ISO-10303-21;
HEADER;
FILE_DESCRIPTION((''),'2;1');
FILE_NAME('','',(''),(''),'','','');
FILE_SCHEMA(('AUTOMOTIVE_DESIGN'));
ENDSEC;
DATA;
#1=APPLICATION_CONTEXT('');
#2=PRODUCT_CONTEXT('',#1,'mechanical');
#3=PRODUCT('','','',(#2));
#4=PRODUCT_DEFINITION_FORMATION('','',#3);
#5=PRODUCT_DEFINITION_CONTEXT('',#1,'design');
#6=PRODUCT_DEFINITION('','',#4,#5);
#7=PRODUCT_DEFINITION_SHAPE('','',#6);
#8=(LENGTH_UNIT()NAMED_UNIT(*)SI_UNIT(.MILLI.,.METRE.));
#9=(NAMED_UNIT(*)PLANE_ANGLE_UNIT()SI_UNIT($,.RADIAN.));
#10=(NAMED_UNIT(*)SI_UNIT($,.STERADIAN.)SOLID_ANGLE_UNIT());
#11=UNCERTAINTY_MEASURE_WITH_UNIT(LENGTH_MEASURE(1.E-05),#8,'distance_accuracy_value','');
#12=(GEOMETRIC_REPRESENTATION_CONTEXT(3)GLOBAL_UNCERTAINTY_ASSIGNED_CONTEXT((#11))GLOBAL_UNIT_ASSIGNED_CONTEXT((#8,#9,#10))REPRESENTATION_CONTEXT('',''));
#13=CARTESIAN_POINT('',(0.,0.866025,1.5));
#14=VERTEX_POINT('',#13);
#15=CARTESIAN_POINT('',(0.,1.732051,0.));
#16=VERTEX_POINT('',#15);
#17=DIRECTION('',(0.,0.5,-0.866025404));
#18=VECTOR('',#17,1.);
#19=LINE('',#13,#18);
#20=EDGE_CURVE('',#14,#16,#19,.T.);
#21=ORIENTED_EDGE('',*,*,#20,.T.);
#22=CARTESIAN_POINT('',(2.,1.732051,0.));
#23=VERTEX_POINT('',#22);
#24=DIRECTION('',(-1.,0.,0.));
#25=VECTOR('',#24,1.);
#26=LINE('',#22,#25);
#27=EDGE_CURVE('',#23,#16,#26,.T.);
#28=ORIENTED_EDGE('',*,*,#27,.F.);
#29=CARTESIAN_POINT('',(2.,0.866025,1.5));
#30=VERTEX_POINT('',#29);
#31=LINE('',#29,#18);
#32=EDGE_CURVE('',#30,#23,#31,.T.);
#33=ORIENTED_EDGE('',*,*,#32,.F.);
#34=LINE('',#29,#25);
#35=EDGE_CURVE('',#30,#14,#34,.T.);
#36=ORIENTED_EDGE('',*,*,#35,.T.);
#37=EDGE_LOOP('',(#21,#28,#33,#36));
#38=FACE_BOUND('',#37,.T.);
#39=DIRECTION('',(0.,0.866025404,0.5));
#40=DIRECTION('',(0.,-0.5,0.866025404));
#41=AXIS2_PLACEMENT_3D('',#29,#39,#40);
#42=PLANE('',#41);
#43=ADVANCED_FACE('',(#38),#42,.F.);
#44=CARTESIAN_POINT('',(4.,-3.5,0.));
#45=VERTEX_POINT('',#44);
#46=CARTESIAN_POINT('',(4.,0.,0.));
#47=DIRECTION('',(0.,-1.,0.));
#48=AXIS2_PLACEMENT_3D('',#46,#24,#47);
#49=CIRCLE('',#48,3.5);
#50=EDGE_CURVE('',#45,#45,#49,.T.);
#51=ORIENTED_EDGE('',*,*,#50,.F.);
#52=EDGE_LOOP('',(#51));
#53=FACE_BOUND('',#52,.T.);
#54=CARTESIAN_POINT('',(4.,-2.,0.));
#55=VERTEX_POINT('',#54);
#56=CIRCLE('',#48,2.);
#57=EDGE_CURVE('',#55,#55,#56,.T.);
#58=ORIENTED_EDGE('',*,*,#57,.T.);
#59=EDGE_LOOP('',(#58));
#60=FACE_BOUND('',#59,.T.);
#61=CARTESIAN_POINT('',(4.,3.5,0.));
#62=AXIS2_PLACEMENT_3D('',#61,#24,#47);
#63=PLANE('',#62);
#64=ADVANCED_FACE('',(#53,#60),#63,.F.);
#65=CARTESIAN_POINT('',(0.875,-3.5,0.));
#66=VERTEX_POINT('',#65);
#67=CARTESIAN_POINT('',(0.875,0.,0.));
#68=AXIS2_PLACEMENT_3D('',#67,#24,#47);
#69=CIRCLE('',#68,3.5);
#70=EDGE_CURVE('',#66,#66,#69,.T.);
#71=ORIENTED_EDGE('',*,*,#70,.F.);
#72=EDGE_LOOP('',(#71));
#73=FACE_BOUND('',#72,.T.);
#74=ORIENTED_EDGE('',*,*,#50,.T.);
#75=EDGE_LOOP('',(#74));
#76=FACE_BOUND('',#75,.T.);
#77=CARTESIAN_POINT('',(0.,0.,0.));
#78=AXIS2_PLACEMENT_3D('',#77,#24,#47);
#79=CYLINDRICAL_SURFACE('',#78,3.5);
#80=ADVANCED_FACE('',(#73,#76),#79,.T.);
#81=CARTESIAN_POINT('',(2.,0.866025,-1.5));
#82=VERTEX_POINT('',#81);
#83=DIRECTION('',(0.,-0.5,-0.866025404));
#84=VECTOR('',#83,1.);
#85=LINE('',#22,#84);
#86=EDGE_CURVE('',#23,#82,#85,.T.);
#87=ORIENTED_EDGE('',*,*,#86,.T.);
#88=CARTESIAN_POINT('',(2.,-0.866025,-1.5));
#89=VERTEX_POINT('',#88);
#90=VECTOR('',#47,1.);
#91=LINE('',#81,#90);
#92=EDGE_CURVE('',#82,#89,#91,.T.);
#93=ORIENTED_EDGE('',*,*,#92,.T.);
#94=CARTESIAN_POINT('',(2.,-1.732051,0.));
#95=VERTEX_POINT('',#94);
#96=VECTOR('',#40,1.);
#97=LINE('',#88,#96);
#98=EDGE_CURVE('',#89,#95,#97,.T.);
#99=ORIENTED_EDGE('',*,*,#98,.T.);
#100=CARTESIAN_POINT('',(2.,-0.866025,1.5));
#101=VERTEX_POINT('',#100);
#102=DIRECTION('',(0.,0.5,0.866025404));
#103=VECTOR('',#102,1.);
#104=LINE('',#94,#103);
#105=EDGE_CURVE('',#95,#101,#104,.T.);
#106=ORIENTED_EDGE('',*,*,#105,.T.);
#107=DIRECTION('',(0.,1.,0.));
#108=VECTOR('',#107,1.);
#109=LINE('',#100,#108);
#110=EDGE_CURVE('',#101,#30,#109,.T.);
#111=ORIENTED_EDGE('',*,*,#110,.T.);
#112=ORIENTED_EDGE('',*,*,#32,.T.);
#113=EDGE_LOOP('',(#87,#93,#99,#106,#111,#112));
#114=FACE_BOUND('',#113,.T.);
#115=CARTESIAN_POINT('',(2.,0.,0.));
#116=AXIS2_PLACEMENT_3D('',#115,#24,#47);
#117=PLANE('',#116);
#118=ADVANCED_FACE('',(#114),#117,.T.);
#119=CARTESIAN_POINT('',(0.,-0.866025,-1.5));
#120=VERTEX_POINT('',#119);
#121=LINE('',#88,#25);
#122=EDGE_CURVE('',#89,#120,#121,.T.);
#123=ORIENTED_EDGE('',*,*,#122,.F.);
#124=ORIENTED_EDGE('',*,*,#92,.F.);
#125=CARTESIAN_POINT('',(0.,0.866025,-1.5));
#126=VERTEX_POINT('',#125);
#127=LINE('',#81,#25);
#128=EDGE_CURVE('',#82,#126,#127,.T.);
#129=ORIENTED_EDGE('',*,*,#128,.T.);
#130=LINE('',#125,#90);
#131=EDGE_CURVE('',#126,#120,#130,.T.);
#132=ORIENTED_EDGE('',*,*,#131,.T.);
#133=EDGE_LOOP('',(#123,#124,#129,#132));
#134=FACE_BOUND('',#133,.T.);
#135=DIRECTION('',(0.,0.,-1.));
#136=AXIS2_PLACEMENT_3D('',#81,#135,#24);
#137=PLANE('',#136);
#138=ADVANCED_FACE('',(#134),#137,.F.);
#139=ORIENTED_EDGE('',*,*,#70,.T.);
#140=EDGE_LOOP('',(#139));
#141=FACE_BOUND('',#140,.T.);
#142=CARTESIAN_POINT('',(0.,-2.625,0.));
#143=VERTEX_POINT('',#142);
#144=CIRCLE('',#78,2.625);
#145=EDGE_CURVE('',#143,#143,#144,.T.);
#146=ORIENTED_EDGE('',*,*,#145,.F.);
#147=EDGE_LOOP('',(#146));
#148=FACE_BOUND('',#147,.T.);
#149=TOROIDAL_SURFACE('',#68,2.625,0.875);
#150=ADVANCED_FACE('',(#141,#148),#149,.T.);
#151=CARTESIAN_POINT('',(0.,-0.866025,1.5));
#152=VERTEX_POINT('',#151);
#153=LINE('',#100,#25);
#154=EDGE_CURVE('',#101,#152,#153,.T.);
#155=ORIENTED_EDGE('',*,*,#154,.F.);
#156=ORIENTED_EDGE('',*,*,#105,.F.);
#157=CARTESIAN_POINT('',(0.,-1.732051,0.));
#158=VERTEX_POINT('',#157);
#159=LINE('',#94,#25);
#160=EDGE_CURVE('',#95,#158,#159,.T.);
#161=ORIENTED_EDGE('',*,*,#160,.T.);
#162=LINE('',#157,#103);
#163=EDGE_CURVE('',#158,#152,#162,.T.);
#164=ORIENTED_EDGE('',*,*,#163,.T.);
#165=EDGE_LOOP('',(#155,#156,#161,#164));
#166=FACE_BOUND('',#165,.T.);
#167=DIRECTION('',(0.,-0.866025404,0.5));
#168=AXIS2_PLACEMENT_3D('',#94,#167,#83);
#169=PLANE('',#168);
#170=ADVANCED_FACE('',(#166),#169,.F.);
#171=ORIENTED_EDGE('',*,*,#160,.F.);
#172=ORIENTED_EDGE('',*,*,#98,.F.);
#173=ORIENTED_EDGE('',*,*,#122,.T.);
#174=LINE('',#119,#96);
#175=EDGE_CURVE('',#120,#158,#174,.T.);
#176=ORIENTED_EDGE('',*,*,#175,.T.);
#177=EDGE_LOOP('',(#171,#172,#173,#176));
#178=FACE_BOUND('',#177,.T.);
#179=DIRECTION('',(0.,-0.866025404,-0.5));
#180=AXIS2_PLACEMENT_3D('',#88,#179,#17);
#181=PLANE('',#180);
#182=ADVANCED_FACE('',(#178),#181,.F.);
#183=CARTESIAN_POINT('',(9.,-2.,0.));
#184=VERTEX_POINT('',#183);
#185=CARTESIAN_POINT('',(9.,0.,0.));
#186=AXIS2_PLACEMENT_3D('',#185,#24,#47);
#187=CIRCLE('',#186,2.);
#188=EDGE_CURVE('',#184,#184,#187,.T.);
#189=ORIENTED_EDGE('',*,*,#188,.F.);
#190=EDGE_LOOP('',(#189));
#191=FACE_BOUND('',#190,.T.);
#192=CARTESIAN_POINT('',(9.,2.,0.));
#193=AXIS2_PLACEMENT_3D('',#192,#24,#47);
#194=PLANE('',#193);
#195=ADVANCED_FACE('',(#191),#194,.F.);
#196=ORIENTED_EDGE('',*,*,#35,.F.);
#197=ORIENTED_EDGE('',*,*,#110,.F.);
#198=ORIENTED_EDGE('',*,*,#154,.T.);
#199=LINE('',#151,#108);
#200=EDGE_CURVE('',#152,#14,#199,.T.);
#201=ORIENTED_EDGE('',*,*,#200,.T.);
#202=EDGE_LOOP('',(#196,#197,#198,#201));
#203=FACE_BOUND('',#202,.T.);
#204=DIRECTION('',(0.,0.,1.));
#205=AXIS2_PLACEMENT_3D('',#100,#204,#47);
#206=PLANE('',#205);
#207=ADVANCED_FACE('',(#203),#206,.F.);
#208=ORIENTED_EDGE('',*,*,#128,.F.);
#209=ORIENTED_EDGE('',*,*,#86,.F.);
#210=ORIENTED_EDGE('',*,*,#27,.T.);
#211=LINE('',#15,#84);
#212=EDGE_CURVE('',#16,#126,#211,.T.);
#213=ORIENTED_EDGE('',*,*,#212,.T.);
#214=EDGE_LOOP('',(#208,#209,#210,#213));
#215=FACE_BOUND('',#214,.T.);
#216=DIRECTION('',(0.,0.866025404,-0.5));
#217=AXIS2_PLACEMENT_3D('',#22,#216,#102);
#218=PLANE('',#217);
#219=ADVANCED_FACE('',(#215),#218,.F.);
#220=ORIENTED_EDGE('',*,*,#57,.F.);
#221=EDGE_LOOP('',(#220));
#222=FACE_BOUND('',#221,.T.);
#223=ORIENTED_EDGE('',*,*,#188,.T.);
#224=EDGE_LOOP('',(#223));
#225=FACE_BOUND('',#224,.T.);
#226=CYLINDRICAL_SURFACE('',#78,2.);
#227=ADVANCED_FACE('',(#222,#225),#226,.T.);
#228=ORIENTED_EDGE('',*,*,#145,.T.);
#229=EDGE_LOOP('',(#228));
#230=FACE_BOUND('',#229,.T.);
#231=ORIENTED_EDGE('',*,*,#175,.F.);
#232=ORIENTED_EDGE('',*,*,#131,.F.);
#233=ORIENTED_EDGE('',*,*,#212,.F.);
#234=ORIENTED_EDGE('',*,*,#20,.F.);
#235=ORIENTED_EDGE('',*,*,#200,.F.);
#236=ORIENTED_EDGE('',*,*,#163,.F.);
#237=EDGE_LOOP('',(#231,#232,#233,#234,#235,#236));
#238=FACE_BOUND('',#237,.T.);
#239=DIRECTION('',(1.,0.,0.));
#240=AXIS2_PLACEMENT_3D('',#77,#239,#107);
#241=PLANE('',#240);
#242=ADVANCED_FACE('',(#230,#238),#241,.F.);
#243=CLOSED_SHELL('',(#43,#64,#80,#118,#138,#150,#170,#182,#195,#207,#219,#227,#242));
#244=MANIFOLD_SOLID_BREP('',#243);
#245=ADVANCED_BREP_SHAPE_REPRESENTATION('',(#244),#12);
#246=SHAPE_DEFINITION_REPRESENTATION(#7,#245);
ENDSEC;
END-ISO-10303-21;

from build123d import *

# Parameters (mm, degrees)
CUT_EXTRUDE1_DEPTH = 2


with BuildPart() as part:
    # Sketch1 → Revolve1 (revolve)
    with BuildSketch(Plane.XY, mode=Mode.PRIVATE) as revolve1_sk:
        with BuildLine():
            Line((0, 0), (0, 2.625))
            ThreePointArc((0, 2.625), (0.256281566, 3.243718434), (0.875, 3.5))
            Line((0.875, 3.5), (4, 3.5))
            Line((4, 3.5), (4, 2))
            Line((4, 2), (9, 2))
            Line((9, 2), (9, 0))
            Line((9, 0), (0, 0))
        make_face()
    revolve(revolve1_sk.sketch.rotate(Axis((0, 0, 0), (1, 0, 0)), 180), axis=Axis((0, 0, 0), (1, 0, 0)))

    # Sketch2 → Cut-Extrude1 (cut)
    with BuildSketch(Plane.ZY):
        Polygon((0, 1.732050808), (-1.5, 0.866025404), (-1.5, -0.866025404), (0, -1.732050808), (1.5, -0.866025404), (1.5, 0.866025404), align=None)
    extrude(amount=-CUT_EXTRUDE1_DEPTH, mode=Mode.SUBTRACT)


solid = part.part
